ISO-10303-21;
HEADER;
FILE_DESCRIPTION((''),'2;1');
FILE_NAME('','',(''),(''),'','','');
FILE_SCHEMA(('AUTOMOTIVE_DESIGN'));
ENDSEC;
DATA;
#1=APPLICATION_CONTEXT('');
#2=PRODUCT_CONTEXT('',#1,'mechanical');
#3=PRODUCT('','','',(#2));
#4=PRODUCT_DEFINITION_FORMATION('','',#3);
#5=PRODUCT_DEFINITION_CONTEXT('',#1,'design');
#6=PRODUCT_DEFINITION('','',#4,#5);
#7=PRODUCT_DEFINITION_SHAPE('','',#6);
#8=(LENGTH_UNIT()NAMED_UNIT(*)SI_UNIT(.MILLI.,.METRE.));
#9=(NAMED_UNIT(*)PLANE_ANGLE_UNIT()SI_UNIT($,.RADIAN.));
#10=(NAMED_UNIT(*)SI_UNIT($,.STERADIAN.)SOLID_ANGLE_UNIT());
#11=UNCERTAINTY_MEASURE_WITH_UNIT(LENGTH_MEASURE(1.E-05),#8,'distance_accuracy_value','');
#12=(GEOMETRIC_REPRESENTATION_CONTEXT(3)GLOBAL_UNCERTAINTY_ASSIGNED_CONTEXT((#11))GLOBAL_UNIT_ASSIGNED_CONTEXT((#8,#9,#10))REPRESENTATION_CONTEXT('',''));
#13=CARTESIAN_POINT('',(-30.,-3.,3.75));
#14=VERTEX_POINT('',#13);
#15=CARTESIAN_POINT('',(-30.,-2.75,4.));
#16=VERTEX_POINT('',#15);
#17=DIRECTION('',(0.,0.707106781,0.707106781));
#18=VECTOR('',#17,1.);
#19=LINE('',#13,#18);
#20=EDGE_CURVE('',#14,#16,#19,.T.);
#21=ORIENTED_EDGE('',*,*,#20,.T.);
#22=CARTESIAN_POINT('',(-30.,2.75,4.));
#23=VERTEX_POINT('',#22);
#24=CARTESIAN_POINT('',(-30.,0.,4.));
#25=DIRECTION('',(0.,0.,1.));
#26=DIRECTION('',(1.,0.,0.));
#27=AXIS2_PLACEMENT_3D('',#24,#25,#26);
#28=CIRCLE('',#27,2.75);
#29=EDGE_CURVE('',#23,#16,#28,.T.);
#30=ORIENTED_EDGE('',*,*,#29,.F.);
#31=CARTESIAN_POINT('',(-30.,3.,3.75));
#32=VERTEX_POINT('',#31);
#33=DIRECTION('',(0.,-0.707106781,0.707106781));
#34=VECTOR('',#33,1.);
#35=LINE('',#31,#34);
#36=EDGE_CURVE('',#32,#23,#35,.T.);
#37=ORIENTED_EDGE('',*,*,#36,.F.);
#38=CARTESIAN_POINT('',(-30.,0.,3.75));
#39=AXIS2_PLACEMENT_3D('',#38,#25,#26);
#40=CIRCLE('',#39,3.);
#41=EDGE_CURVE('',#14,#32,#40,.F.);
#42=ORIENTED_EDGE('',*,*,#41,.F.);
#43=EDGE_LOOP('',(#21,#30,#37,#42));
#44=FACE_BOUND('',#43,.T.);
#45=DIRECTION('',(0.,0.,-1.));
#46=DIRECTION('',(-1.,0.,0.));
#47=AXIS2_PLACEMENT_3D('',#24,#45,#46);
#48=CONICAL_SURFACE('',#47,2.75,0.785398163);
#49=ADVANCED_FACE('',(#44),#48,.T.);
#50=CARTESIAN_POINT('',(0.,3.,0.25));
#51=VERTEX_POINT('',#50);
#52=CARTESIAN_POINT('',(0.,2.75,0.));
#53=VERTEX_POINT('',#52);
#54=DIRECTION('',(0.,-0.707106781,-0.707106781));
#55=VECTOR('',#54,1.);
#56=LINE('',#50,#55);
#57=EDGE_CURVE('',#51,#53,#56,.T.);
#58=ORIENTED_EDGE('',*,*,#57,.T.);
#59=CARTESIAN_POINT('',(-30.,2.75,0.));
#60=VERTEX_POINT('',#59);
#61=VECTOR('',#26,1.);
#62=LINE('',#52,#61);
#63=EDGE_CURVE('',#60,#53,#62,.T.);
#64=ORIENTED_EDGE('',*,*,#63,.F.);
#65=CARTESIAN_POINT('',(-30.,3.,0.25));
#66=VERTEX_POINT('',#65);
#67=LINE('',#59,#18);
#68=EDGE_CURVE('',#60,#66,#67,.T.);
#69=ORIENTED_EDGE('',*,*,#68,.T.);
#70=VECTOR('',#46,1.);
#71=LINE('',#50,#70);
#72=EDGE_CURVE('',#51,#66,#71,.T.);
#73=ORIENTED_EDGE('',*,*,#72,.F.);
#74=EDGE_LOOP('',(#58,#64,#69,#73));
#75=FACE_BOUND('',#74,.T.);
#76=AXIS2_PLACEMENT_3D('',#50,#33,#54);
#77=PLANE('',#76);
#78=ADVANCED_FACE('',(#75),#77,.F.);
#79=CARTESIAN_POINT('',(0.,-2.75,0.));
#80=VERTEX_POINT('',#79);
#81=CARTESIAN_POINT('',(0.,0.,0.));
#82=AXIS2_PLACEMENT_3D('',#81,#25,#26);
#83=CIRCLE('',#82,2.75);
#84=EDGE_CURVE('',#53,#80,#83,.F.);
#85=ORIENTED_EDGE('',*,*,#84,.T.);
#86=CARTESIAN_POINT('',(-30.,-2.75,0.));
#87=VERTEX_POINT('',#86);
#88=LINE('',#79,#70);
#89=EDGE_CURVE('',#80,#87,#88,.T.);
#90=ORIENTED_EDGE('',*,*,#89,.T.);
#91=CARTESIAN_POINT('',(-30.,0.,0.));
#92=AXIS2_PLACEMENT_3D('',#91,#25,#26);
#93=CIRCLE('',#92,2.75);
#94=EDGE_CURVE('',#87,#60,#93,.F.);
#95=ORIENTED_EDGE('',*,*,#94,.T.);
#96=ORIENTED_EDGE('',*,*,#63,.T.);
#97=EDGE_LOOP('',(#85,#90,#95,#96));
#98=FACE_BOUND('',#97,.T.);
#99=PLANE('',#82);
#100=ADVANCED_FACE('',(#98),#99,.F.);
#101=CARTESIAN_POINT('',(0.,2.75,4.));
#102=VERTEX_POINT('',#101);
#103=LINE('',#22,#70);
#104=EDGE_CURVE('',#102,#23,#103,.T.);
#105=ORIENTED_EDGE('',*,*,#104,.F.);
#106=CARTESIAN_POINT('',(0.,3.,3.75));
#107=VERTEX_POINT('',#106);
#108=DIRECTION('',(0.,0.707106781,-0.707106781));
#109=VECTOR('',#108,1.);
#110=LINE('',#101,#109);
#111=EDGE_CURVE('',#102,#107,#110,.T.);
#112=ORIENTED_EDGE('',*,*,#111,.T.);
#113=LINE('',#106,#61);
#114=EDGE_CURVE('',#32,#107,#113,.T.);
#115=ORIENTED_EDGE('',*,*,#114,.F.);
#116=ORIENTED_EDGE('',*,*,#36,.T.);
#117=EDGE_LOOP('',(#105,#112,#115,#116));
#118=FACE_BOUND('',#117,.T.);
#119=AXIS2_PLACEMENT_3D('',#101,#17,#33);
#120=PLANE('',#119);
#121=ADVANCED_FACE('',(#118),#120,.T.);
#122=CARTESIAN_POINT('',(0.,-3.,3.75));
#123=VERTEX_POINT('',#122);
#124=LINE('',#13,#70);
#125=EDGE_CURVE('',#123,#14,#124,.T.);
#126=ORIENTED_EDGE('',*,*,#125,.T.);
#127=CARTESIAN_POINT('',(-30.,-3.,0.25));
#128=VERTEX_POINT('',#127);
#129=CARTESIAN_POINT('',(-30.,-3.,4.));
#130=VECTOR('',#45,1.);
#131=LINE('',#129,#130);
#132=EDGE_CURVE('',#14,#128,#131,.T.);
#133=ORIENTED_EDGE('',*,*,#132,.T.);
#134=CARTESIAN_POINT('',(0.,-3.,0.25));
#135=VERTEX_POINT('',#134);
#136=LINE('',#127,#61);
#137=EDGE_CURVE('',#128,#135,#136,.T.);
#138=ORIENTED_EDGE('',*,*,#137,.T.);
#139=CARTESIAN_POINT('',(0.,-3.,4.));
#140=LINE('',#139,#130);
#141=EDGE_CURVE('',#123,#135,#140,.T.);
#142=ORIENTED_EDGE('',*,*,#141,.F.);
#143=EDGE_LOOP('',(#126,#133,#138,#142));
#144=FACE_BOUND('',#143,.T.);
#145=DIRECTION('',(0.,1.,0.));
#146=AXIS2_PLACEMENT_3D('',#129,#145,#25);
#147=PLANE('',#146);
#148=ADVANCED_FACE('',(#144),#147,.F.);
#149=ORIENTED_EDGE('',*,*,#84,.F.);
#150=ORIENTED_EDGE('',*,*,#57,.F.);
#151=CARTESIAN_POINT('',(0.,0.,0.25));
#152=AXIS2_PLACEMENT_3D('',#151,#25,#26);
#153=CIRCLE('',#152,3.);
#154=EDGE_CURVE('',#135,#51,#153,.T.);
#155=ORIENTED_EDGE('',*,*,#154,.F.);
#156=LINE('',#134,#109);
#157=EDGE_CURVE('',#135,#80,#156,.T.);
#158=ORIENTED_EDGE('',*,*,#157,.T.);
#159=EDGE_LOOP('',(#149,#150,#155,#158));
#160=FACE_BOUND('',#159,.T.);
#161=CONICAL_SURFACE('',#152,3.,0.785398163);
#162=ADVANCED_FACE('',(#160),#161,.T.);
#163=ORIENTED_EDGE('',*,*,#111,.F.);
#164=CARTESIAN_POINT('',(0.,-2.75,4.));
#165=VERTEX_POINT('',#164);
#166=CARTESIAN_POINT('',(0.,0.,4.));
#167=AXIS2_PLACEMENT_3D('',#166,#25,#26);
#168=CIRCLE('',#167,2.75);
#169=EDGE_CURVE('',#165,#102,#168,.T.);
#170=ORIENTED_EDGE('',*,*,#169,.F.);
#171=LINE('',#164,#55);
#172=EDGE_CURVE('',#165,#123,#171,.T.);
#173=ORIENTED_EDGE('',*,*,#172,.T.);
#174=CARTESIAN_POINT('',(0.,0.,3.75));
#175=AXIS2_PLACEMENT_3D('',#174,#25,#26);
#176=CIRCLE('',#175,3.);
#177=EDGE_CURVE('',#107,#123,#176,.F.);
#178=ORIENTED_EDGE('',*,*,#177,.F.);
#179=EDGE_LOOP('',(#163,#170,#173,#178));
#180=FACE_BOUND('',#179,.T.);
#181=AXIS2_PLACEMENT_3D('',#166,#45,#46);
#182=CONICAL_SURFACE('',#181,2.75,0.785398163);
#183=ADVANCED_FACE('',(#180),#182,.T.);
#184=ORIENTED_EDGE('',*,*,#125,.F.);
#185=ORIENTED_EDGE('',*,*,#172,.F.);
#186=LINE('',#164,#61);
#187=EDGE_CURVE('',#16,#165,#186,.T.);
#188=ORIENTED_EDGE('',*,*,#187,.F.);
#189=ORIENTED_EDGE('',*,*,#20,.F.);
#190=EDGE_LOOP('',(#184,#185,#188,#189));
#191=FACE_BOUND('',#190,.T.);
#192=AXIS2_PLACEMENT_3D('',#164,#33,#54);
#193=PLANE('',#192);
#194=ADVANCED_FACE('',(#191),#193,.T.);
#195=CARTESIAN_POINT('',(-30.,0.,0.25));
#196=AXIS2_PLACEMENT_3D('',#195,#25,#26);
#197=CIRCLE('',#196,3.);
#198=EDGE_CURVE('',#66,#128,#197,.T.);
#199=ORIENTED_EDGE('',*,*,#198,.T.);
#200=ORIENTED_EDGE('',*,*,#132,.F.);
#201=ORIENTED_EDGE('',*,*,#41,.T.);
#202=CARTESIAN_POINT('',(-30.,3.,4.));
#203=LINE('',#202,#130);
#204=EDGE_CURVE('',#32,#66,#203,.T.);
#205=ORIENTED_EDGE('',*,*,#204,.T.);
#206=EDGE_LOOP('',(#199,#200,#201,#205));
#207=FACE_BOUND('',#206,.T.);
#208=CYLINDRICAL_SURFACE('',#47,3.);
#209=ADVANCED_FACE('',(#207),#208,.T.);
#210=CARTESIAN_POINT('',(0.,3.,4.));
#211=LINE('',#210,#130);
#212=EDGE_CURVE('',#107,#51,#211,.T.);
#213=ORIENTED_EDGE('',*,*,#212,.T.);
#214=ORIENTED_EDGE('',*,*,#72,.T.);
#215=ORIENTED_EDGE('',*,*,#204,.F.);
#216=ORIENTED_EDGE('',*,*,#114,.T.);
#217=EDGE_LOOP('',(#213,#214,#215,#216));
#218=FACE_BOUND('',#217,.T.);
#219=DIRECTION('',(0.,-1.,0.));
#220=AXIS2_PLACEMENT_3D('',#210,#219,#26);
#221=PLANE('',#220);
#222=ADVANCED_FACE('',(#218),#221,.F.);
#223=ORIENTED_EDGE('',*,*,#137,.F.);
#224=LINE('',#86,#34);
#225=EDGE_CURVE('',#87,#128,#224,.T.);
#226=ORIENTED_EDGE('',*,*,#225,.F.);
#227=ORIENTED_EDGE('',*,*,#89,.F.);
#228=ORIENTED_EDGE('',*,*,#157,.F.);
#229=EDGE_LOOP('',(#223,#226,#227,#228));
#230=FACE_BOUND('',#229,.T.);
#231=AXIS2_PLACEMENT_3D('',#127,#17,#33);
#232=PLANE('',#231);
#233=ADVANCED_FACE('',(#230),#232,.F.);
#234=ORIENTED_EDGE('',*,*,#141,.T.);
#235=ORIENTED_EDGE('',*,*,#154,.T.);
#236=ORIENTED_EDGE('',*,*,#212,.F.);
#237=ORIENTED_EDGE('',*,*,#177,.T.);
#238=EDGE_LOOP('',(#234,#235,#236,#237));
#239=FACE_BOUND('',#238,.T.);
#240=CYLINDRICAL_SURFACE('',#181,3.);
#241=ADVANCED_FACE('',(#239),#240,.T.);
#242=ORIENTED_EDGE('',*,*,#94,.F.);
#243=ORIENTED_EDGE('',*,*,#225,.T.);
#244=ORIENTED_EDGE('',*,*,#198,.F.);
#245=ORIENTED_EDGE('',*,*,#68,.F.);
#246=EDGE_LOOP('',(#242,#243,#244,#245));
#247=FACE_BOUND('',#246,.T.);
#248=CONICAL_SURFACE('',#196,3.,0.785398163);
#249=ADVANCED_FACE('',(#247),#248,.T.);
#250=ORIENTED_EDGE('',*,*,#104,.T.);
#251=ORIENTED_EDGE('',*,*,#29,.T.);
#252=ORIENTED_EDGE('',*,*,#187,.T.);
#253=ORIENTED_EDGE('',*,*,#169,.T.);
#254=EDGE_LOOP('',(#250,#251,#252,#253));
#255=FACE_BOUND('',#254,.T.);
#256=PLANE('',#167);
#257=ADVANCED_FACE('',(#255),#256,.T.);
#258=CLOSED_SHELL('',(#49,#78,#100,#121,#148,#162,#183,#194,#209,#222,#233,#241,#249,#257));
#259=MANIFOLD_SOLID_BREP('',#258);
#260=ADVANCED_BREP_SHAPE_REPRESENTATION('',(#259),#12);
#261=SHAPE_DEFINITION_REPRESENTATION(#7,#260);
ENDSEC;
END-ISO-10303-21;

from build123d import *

# Parameters (mm, degrees)
EXTRUDE1_DEPTH = 4
CHAMFER1_SIZE  = 0.25


with BuildPart() as part:
    # Sketch1 → Extrude1 (new body)
    with BuildSketch(Plane.XY):
        with BuildLine():
            Line((0, 3), (-30, 3))
            ThreePointArc((-30, 3), (-33, 0), (-30, -3))
            Line((-30, -3), (0, -3))
            ThreePointArc((0, -3), (3, 0), (0, 3))
        make_face()
    extrude(amount=EXTRUDE1_DEPTH)

    # Chamfer1
    chamfer1_edges = [part.edges().sort_by_distance(p)[0] for p in [
        (-33, 0, 4),
        (-15, -3, 4),
        (3, 0, 4),
        (-15, -3, 0),
        (-33, 0, 0),
        (-15, 3, 0),
        (3, 0, 0),
        (-15, 3, 4),
    ]]
    chamfer(chamfer1_edges, length=CHAMFER1_SIZE)


solid = part.part
